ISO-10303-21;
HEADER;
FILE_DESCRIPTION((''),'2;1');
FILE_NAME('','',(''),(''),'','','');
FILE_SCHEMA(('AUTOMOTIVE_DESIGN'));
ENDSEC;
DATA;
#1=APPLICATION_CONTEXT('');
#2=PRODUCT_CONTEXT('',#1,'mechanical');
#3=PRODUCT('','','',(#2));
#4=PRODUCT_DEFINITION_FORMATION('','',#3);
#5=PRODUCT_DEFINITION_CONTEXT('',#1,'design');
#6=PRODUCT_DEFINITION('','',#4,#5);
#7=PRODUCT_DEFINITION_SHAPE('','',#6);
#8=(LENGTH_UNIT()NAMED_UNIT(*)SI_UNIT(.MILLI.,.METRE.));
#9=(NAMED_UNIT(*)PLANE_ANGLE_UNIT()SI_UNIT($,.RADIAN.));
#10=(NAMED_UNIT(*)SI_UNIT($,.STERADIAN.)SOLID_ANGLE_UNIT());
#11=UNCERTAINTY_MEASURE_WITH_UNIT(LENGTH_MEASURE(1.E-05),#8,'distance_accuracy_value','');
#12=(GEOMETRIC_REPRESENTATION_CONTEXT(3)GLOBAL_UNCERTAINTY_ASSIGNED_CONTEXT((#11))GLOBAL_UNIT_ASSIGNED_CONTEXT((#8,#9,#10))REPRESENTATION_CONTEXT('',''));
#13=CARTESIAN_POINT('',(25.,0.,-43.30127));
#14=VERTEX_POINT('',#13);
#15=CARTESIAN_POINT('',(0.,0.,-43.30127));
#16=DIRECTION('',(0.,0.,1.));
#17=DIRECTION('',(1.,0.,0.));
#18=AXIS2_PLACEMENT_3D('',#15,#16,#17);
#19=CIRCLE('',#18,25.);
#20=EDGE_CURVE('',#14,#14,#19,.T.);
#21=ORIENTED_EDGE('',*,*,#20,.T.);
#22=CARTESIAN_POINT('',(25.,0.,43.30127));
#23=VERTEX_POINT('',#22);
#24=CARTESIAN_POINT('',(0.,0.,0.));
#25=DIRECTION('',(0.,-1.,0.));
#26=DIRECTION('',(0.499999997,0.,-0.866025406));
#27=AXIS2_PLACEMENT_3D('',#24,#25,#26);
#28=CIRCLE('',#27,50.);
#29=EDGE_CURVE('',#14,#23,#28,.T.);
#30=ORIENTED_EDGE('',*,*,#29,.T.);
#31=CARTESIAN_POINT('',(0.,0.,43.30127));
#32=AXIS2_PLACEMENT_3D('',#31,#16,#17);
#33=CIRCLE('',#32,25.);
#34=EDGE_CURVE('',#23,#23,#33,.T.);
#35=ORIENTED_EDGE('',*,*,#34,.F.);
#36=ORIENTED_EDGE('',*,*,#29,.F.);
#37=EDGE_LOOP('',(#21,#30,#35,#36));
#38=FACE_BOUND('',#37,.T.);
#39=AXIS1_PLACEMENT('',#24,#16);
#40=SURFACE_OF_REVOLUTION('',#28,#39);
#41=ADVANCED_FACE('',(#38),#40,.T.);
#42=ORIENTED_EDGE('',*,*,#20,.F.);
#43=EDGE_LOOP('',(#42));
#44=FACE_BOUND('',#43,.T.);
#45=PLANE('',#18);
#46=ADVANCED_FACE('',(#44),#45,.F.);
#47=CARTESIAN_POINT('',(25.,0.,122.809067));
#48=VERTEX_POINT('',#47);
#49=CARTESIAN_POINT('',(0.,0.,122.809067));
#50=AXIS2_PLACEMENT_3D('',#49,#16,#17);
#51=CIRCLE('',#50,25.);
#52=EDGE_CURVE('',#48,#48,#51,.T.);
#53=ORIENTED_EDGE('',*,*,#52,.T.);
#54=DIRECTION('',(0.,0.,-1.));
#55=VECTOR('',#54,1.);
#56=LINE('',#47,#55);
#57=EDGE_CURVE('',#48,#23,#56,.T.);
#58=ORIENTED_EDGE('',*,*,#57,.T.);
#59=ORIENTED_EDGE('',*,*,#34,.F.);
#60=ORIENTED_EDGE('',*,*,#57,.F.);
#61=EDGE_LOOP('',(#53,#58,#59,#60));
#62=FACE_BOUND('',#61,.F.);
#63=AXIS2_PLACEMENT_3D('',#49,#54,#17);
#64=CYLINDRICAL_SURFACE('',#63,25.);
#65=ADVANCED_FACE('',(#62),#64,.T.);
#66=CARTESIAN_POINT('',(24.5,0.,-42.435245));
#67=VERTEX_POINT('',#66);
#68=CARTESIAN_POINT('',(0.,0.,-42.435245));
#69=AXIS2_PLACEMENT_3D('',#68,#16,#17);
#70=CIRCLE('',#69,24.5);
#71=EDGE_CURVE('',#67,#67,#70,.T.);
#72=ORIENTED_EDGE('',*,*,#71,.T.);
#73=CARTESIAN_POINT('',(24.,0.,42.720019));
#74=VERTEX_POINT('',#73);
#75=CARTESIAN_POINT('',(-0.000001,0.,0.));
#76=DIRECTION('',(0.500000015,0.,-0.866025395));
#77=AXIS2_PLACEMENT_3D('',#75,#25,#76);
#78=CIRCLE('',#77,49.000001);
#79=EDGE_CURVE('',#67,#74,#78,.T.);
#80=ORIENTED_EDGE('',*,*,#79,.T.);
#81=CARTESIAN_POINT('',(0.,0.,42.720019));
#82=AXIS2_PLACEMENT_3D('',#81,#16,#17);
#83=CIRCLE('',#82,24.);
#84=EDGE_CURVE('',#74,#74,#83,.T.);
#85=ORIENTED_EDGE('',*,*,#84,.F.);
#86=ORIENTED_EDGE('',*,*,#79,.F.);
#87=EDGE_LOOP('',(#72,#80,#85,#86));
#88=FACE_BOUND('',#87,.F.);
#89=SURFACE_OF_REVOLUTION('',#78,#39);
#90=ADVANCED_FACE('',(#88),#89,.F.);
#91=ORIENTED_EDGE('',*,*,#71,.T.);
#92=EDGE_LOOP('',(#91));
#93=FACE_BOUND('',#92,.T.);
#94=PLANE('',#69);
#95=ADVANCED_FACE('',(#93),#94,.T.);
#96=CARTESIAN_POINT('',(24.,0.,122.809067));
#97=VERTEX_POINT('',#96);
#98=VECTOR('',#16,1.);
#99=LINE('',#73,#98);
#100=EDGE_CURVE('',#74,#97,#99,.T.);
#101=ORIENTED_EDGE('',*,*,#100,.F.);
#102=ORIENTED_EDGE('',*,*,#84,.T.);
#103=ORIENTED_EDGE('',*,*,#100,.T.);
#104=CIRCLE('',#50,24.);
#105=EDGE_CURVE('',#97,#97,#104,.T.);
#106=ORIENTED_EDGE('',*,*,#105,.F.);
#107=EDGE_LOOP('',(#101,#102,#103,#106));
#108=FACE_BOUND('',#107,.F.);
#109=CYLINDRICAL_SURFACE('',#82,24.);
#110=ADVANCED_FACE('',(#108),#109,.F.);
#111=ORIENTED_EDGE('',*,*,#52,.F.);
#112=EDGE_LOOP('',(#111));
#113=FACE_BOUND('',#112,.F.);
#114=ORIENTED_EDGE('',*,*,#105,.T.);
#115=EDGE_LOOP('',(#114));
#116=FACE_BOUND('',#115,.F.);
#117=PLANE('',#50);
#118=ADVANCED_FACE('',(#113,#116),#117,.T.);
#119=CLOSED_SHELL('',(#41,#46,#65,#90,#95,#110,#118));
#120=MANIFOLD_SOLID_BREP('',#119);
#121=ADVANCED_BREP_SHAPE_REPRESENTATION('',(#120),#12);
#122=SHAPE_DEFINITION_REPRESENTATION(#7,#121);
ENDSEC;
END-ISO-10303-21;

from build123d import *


with BuildPart() as part:
    # Sketch → Revolve (revolve)
    with BuildSketch(Plane.XZ):
        with BuildLine():
            ThreePointArc((25, -43.30127), (50, 0), (25, 43.30127))
            Line((25, 122.809067), (25, 43.30127))
            Line((24, 122.809067), (25, 122.809067))
            Line((24, 42.720019), (24, 122.809067))
            ThreePointArc((24.5, -42.435245), (48.999155, 0.287705), (24, 42.720019))
            Line((24.5, -42.435245), (0, -42.435245))
            Line((0, -42.435245), (0, -43.30127))
            Line((0, -43.30127), (25, -43.30127))
        make_face()
    revolve(axis=Axis((0, 0, 0), (0, 0, 1)))


solid = part.part
